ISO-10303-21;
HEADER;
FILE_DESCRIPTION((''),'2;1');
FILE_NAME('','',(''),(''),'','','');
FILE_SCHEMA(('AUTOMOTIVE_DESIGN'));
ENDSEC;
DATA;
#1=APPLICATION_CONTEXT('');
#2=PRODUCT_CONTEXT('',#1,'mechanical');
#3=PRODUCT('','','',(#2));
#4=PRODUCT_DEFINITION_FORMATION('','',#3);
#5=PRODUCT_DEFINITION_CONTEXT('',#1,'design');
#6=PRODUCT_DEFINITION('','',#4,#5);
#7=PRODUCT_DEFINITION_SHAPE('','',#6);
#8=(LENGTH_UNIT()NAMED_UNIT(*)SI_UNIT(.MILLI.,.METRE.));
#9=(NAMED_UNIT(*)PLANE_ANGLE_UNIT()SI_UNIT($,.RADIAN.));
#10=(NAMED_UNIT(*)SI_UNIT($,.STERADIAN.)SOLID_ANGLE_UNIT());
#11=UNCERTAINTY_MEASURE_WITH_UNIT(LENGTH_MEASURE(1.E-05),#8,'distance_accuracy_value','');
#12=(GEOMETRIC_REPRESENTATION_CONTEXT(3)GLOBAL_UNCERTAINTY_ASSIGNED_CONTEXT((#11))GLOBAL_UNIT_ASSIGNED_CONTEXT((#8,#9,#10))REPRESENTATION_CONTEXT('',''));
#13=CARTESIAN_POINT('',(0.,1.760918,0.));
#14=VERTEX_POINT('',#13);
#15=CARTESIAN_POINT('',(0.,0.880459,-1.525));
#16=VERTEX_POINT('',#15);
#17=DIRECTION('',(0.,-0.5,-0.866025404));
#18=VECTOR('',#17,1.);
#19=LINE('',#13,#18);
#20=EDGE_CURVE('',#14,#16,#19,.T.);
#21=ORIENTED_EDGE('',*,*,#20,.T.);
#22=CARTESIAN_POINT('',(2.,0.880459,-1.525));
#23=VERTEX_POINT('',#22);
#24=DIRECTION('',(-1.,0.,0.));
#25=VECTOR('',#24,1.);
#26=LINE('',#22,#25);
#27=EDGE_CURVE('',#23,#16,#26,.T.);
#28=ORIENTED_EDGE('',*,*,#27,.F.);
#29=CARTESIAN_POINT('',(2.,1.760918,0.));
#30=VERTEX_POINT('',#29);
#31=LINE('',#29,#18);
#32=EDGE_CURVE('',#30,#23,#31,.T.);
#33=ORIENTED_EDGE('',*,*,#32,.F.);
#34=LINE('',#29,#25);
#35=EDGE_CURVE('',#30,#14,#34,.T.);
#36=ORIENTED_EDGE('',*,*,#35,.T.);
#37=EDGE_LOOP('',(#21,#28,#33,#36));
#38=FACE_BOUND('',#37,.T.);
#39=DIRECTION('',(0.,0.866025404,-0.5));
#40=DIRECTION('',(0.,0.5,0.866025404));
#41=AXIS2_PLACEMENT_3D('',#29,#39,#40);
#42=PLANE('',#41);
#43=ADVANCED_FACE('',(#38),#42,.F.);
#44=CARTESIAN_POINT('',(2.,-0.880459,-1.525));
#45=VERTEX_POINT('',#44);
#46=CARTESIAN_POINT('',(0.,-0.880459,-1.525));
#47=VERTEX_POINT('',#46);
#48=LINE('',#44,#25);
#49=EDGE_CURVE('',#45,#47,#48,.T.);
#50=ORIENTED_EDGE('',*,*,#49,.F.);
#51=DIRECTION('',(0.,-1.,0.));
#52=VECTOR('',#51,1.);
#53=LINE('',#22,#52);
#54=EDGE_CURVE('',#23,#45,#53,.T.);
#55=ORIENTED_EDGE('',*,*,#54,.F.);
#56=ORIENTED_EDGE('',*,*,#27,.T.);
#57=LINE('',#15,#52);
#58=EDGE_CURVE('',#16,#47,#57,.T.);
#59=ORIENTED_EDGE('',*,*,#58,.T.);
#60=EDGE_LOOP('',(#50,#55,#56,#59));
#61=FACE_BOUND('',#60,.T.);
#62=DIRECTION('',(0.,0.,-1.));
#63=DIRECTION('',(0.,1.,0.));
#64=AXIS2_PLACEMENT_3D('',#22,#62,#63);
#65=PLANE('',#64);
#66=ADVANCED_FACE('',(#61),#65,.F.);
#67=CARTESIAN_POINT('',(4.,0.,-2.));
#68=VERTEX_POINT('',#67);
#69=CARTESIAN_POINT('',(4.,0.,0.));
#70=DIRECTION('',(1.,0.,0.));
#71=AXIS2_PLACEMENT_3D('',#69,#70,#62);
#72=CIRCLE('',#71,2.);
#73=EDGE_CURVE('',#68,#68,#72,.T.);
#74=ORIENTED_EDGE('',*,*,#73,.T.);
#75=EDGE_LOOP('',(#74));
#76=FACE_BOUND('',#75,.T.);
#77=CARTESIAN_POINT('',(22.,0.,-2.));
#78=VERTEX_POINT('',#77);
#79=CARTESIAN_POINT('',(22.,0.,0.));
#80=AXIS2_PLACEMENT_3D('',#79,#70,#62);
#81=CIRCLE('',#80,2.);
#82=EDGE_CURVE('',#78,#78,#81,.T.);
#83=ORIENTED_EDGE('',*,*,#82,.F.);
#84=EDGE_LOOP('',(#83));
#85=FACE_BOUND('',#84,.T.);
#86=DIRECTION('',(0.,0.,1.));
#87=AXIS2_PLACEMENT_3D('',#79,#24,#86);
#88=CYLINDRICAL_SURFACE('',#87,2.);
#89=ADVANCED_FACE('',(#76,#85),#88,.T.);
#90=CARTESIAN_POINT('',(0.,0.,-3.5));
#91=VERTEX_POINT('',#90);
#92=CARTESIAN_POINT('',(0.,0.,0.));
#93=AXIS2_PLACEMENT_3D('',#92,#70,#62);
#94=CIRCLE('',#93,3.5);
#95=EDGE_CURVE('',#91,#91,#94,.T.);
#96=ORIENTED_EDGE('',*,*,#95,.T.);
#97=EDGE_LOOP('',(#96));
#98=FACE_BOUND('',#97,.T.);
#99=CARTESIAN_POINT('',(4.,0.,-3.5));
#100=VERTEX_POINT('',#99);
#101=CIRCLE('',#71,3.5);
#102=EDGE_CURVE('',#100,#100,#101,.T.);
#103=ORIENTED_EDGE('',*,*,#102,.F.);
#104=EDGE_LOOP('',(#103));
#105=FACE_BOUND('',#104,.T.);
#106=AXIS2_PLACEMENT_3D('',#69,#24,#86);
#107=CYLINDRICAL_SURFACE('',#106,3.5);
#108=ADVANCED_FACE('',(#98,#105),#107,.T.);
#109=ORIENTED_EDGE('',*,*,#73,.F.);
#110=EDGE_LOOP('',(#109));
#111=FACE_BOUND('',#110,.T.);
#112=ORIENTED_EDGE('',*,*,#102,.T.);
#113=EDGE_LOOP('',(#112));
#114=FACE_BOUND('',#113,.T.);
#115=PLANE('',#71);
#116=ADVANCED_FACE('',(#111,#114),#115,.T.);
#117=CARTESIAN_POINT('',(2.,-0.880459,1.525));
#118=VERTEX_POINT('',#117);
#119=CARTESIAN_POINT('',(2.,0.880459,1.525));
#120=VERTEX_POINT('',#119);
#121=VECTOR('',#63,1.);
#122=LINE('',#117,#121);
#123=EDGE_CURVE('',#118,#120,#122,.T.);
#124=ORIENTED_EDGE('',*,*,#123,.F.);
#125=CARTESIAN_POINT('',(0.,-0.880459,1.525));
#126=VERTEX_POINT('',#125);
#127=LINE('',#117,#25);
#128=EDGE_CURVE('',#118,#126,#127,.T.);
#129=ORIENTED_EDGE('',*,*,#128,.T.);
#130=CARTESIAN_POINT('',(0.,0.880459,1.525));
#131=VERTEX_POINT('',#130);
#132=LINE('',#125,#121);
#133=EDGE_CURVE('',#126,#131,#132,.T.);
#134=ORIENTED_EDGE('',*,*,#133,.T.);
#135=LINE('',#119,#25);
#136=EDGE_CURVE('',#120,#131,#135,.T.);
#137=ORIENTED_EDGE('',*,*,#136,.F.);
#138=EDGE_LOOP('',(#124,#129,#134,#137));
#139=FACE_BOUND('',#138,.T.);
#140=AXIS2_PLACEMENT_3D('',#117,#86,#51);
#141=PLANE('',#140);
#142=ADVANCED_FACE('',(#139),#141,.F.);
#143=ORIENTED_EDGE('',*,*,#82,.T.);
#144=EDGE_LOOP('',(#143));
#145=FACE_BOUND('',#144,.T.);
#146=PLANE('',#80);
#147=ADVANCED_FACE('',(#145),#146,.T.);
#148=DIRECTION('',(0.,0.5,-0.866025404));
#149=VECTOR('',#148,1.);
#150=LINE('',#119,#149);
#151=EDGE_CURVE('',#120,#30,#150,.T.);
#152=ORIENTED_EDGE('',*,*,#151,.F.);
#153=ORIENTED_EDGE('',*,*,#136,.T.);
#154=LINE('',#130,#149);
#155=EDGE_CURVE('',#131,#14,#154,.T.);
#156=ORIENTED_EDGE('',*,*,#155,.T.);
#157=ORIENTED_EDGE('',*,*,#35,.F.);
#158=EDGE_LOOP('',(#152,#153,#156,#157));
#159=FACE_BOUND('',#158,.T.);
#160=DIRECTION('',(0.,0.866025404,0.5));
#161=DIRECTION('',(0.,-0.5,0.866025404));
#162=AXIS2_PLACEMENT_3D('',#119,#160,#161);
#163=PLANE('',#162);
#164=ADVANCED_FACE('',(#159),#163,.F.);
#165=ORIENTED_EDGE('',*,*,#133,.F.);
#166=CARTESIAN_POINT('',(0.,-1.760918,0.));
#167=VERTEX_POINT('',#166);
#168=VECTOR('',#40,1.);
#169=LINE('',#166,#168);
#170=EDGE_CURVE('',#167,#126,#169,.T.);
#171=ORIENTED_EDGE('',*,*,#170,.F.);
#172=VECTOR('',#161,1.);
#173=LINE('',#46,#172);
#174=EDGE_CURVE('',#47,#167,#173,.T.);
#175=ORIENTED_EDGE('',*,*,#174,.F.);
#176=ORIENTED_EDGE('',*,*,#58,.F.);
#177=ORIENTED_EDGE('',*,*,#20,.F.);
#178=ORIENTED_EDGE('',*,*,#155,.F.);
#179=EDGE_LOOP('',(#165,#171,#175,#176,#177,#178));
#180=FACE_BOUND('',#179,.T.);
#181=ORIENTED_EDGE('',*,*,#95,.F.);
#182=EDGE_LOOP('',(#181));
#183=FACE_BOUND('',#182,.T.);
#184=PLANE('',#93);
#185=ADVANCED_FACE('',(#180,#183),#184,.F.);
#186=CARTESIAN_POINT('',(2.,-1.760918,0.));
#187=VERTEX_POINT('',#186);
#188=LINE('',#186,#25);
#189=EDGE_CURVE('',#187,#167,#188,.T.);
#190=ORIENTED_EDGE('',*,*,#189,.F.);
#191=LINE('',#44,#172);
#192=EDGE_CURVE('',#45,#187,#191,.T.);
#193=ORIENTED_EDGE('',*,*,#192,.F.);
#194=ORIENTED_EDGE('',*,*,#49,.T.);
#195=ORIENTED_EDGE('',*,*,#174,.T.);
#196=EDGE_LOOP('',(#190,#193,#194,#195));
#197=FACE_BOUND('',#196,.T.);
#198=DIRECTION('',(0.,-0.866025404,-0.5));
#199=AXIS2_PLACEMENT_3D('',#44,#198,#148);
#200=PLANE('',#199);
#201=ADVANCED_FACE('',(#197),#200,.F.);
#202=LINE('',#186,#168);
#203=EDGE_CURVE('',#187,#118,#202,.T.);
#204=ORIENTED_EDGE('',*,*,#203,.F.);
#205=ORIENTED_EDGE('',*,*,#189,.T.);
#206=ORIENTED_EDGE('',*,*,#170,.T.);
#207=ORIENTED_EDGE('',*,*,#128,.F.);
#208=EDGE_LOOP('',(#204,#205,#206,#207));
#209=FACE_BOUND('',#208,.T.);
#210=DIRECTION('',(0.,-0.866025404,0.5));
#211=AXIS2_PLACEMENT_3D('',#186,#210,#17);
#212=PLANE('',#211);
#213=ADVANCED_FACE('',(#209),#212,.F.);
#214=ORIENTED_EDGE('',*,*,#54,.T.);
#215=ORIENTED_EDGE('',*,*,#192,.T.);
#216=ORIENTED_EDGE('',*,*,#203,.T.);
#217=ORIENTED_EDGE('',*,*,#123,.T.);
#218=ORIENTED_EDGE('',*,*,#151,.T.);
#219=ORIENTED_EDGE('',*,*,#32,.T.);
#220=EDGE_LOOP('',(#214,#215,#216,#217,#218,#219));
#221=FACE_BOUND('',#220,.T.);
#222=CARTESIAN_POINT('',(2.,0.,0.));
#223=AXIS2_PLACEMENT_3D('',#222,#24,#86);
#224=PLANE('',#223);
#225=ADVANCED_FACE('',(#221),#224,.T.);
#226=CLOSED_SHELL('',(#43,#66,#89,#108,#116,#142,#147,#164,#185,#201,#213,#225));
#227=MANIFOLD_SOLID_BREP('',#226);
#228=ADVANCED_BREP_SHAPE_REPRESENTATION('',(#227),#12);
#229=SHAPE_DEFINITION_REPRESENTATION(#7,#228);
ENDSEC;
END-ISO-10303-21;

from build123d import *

# Parameters (mm, degrees)
SKETCH_1_R          = 3.5
EXTRUDE_1_DEPTH     = 4
CUT_EXTRUDE_1_DEPTH = 2
SKETCH_3_R          = 2
EXTRUDE_2_DEPTH     = 18


with BuildPart() as part:
    # 草图1 → 凸台-拉伸1 (new body)
    with BuildSketch(Plane(origin=(0, 0, 0), x_dir=(0, 0, -1), z_dir=(1, 0, 0))):
        Circle(SKETCH_1_R)
    extrude(amount=EXTRUDE_1_DEPTH)

    # 草图2 → 切除-拉伸1 (cut)
    with BuildSketch(Plane.ZY):
        Polygon((1.525, -0.880459161), (1.525, 0.880459161), (0, 1.760918321), (-1.525, 0.880459161), (-1.525, -0.880459161), (0, -1.760918321), align=None)
    extrude(amount=-CUT_EXTRUDE_1_DEPTH, mode=Mode.SUBTRACT)

    # 草图3 → 凸台-拉伸2 (add)
    with BuildSketch(Plane(origin=(4, 0, 0), x_dir=(0, 0, -1), z_dir=(1, 0, 0))):
        Circle(SKETCH_3_R)
    extrude(amount=EXTRUDE_2_DEPTH)


solid = part.part
